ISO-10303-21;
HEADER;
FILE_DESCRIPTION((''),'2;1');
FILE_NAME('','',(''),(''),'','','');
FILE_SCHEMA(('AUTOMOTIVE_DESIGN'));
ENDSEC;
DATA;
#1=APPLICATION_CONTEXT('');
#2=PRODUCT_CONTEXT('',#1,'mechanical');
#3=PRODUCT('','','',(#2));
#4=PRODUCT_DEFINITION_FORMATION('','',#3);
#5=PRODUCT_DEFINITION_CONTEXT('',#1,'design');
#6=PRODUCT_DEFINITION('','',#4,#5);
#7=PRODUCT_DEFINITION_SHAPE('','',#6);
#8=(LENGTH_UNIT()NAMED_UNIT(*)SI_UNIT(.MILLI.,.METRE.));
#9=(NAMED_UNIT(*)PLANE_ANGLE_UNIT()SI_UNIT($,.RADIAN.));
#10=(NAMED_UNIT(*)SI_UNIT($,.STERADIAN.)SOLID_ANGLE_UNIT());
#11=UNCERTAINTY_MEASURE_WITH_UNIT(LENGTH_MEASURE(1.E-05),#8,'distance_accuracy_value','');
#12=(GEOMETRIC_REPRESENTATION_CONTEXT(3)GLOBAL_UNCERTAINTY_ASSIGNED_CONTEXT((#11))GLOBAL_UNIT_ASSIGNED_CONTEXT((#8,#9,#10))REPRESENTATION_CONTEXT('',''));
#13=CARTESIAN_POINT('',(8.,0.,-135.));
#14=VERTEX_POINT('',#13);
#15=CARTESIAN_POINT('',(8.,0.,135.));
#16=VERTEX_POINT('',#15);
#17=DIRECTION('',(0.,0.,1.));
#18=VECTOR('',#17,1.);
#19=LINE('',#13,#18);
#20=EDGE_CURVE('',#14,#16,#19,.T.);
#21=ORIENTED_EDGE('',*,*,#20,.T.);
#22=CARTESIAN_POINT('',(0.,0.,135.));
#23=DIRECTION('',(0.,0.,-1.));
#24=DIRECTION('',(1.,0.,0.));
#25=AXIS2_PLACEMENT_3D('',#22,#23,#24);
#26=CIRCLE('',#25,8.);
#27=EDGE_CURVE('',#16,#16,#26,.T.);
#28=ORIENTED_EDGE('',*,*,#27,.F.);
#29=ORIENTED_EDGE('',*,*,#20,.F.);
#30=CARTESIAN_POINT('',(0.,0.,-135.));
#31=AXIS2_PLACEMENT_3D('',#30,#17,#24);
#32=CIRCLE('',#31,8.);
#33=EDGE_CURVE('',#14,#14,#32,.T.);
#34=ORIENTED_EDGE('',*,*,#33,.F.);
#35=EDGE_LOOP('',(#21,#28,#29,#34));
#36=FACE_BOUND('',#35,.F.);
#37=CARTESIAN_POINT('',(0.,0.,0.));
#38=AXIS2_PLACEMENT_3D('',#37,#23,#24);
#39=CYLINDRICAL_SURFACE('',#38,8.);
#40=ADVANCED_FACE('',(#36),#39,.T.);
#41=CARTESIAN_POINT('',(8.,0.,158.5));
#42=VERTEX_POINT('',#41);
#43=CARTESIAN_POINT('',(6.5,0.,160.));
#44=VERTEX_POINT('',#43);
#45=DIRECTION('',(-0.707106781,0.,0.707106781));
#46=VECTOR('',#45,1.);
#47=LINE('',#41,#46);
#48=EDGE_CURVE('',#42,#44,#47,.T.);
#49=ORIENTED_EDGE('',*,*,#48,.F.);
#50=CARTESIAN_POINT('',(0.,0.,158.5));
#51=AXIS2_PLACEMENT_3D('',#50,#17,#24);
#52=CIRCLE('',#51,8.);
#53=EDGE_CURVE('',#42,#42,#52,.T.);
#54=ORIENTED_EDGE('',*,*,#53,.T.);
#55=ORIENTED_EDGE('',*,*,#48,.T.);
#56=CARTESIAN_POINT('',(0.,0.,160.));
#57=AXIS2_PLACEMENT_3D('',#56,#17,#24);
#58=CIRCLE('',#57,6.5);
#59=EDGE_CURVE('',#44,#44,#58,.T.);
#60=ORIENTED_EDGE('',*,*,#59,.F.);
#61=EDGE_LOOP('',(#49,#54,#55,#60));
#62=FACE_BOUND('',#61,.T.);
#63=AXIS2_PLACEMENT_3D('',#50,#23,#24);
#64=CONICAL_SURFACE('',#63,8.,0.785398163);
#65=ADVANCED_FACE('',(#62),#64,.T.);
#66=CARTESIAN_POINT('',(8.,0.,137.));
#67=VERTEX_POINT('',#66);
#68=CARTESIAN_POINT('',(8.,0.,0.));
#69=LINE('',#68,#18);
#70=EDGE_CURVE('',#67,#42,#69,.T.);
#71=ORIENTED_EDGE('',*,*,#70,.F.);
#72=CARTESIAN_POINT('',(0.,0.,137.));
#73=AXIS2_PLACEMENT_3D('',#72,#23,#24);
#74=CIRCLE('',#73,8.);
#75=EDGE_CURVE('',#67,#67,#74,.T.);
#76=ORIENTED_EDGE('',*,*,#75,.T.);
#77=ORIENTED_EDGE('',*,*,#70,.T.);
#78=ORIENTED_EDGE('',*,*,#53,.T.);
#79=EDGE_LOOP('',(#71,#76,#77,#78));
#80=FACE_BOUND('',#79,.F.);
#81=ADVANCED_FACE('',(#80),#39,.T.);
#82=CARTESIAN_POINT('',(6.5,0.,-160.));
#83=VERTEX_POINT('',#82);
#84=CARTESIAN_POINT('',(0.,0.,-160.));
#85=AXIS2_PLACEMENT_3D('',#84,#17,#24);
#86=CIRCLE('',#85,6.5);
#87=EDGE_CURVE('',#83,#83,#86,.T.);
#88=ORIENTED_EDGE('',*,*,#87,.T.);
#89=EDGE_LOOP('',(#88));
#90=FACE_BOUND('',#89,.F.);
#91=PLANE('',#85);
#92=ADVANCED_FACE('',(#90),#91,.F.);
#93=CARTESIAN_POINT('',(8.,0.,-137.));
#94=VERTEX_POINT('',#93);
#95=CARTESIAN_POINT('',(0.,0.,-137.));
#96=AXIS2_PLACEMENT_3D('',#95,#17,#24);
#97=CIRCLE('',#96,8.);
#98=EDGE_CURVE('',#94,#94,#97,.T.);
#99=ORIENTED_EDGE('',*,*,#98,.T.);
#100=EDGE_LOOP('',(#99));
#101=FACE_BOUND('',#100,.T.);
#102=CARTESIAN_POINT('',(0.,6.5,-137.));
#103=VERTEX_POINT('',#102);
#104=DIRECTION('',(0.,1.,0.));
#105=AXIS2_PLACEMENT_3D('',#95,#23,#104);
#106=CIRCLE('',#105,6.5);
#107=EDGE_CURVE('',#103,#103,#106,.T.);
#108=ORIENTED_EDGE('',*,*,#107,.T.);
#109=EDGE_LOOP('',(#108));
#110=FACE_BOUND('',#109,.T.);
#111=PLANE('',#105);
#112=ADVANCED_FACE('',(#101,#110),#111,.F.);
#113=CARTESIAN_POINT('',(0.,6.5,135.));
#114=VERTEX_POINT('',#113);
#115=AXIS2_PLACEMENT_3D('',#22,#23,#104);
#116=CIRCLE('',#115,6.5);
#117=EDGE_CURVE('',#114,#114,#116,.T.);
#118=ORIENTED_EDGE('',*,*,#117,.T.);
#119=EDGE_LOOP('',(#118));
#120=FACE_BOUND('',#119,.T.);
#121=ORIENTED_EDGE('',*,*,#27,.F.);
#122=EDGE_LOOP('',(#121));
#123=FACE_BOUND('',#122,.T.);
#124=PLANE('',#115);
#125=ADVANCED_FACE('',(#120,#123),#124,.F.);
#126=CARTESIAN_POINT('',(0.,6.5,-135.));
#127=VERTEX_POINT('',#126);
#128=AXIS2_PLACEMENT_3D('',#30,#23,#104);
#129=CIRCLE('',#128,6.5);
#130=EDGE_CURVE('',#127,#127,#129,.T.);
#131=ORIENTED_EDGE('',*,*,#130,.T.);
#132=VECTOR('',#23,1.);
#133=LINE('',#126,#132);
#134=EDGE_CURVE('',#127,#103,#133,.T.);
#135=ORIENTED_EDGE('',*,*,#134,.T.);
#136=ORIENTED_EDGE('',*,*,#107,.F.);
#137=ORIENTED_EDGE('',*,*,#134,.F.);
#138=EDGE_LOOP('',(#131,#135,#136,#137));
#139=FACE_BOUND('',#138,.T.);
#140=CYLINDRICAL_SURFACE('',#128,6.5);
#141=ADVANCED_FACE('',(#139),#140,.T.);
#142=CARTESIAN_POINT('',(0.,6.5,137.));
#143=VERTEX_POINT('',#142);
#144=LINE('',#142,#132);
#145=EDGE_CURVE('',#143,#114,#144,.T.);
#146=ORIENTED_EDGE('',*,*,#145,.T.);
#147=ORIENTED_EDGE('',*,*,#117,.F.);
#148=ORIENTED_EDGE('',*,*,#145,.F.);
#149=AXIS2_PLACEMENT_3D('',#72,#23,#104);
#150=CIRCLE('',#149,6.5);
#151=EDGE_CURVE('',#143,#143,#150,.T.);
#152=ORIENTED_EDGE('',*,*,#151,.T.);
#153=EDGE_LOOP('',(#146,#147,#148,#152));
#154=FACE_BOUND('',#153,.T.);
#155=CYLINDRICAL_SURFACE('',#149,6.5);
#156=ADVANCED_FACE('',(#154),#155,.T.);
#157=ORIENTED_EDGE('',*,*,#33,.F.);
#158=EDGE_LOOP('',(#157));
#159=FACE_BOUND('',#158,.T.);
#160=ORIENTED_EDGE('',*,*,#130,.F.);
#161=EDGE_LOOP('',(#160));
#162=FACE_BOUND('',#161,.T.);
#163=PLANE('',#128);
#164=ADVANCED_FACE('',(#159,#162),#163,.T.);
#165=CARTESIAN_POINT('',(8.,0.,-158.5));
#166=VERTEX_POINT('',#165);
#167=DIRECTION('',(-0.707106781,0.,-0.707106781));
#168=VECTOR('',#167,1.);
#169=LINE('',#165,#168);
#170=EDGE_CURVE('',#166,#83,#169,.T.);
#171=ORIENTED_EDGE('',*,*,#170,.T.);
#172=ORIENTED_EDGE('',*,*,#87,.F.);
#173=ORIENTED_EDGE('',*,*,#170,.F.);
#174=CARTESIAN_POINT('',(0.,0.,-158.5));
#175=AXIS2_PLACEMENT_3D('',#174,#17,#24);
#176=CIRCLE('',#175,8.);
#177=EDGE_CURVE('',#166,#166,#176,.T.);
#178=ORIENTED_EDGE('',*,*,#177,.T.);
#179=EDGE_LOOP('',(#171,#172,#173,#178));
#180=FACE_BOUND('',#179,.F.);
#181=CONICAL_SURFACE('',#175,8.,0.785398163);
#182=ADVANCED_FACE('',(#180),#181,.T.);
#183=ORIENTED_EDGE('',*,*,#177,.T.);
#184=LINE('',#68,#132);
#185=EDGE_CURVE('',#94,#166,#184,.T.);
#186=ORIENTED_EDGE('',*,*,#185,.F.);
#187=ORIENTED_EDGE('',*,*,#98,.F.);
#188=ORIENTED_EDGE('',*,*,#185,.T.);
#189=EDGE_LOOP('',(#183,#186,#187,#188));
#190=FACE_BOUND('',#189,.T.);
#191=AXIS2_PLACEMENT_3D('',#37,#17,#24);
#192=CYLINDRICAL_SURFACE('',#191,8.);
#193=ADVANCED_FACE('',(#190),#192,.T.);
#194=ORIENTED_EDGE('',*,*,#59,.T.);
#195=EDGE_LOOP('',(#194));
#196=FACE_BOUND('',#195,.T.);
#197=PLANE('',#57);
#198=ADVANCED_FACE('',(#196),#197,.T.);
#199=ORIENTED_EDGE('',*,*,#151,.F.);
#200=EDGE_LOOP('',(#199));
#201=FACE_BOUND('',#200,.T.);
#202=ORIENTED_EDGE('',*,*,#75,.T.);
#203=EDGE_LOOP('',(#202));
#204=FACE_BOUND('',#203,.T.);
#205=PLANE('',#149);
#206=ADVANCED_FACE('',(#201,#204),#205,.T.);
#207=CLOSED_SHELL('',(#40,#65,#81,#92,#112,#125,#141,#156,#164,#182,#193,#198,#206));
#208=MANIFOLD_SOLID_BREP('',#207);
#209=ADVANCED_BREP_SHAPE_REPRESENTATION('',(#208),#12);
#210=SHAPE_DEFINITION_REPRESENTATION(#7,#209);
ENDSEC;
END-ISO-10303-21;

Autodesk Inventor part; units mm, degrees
ref_plane "YZ Plane" through (0, 0, 0) normal (1, 0, 0) x (0, 1, 0)
ref_plane "XZ Plane" through (0, 0, 0) normal (0, 1, 0) x (-1, 0, 0)
ref_plane "XY Plane" through (0, 0, 0) normal (0, 0, 1) x (1, 0, 0)
sketch "Esboço1" plane through (0, 0, 0) normal (0, 0, 1) x (1, 0, 0)
  circle A0 centre (0, 0) radius 8
  dimension "d0" = 16
extrude "Extrusão1" add sketch "Esboço1" along normal mid plane 320
sketch "Esboço2" plane through (0, 0, 0) normal (1, 0, 0) x (0, 1, 0)
  line L0 (8, -160) -> (8, 160) projected
  line L1 (8, -135) -> (6.5, -135)
  line L2 (6.5, -135) -> (6.5, -137)
  line L3 (6.5, -137) -> (8, -137)
  line L4 (8, -137) -> (8, -135)
  line L5 (8, 137) -> (6.5, 137)
  line L6 (6.5, 137) -> (6.5, 135)
  line L7 (6.5, 135) -> (8, 135)
  line L8 (8, 135) -> (8, 137)
  line L9 (8, 160) -> (-8, 160) projected
  line L10 (-8, -160) -> (8, -160) projected
  line L11 (0, 0) -> (0, -160)
  dimension "d3" = 2
  dimension "d4" = 25
  dimension "d5" = 2
  dimension "d6" = 25
  dimension "d7" = 13
revolve "Revolução1" cut sketch "Esboço2" angle 360 about axis through (0, 0, 0) along (0, 0, -1)
thread "Rosca1" size "M16x2" class "6g" standard "ANSI Metric M Profile" full length
chamfer "Chanfro1" distance 1.5 angle 45 2 edges at (-8, 0, 160) (-8, 0, -160)
